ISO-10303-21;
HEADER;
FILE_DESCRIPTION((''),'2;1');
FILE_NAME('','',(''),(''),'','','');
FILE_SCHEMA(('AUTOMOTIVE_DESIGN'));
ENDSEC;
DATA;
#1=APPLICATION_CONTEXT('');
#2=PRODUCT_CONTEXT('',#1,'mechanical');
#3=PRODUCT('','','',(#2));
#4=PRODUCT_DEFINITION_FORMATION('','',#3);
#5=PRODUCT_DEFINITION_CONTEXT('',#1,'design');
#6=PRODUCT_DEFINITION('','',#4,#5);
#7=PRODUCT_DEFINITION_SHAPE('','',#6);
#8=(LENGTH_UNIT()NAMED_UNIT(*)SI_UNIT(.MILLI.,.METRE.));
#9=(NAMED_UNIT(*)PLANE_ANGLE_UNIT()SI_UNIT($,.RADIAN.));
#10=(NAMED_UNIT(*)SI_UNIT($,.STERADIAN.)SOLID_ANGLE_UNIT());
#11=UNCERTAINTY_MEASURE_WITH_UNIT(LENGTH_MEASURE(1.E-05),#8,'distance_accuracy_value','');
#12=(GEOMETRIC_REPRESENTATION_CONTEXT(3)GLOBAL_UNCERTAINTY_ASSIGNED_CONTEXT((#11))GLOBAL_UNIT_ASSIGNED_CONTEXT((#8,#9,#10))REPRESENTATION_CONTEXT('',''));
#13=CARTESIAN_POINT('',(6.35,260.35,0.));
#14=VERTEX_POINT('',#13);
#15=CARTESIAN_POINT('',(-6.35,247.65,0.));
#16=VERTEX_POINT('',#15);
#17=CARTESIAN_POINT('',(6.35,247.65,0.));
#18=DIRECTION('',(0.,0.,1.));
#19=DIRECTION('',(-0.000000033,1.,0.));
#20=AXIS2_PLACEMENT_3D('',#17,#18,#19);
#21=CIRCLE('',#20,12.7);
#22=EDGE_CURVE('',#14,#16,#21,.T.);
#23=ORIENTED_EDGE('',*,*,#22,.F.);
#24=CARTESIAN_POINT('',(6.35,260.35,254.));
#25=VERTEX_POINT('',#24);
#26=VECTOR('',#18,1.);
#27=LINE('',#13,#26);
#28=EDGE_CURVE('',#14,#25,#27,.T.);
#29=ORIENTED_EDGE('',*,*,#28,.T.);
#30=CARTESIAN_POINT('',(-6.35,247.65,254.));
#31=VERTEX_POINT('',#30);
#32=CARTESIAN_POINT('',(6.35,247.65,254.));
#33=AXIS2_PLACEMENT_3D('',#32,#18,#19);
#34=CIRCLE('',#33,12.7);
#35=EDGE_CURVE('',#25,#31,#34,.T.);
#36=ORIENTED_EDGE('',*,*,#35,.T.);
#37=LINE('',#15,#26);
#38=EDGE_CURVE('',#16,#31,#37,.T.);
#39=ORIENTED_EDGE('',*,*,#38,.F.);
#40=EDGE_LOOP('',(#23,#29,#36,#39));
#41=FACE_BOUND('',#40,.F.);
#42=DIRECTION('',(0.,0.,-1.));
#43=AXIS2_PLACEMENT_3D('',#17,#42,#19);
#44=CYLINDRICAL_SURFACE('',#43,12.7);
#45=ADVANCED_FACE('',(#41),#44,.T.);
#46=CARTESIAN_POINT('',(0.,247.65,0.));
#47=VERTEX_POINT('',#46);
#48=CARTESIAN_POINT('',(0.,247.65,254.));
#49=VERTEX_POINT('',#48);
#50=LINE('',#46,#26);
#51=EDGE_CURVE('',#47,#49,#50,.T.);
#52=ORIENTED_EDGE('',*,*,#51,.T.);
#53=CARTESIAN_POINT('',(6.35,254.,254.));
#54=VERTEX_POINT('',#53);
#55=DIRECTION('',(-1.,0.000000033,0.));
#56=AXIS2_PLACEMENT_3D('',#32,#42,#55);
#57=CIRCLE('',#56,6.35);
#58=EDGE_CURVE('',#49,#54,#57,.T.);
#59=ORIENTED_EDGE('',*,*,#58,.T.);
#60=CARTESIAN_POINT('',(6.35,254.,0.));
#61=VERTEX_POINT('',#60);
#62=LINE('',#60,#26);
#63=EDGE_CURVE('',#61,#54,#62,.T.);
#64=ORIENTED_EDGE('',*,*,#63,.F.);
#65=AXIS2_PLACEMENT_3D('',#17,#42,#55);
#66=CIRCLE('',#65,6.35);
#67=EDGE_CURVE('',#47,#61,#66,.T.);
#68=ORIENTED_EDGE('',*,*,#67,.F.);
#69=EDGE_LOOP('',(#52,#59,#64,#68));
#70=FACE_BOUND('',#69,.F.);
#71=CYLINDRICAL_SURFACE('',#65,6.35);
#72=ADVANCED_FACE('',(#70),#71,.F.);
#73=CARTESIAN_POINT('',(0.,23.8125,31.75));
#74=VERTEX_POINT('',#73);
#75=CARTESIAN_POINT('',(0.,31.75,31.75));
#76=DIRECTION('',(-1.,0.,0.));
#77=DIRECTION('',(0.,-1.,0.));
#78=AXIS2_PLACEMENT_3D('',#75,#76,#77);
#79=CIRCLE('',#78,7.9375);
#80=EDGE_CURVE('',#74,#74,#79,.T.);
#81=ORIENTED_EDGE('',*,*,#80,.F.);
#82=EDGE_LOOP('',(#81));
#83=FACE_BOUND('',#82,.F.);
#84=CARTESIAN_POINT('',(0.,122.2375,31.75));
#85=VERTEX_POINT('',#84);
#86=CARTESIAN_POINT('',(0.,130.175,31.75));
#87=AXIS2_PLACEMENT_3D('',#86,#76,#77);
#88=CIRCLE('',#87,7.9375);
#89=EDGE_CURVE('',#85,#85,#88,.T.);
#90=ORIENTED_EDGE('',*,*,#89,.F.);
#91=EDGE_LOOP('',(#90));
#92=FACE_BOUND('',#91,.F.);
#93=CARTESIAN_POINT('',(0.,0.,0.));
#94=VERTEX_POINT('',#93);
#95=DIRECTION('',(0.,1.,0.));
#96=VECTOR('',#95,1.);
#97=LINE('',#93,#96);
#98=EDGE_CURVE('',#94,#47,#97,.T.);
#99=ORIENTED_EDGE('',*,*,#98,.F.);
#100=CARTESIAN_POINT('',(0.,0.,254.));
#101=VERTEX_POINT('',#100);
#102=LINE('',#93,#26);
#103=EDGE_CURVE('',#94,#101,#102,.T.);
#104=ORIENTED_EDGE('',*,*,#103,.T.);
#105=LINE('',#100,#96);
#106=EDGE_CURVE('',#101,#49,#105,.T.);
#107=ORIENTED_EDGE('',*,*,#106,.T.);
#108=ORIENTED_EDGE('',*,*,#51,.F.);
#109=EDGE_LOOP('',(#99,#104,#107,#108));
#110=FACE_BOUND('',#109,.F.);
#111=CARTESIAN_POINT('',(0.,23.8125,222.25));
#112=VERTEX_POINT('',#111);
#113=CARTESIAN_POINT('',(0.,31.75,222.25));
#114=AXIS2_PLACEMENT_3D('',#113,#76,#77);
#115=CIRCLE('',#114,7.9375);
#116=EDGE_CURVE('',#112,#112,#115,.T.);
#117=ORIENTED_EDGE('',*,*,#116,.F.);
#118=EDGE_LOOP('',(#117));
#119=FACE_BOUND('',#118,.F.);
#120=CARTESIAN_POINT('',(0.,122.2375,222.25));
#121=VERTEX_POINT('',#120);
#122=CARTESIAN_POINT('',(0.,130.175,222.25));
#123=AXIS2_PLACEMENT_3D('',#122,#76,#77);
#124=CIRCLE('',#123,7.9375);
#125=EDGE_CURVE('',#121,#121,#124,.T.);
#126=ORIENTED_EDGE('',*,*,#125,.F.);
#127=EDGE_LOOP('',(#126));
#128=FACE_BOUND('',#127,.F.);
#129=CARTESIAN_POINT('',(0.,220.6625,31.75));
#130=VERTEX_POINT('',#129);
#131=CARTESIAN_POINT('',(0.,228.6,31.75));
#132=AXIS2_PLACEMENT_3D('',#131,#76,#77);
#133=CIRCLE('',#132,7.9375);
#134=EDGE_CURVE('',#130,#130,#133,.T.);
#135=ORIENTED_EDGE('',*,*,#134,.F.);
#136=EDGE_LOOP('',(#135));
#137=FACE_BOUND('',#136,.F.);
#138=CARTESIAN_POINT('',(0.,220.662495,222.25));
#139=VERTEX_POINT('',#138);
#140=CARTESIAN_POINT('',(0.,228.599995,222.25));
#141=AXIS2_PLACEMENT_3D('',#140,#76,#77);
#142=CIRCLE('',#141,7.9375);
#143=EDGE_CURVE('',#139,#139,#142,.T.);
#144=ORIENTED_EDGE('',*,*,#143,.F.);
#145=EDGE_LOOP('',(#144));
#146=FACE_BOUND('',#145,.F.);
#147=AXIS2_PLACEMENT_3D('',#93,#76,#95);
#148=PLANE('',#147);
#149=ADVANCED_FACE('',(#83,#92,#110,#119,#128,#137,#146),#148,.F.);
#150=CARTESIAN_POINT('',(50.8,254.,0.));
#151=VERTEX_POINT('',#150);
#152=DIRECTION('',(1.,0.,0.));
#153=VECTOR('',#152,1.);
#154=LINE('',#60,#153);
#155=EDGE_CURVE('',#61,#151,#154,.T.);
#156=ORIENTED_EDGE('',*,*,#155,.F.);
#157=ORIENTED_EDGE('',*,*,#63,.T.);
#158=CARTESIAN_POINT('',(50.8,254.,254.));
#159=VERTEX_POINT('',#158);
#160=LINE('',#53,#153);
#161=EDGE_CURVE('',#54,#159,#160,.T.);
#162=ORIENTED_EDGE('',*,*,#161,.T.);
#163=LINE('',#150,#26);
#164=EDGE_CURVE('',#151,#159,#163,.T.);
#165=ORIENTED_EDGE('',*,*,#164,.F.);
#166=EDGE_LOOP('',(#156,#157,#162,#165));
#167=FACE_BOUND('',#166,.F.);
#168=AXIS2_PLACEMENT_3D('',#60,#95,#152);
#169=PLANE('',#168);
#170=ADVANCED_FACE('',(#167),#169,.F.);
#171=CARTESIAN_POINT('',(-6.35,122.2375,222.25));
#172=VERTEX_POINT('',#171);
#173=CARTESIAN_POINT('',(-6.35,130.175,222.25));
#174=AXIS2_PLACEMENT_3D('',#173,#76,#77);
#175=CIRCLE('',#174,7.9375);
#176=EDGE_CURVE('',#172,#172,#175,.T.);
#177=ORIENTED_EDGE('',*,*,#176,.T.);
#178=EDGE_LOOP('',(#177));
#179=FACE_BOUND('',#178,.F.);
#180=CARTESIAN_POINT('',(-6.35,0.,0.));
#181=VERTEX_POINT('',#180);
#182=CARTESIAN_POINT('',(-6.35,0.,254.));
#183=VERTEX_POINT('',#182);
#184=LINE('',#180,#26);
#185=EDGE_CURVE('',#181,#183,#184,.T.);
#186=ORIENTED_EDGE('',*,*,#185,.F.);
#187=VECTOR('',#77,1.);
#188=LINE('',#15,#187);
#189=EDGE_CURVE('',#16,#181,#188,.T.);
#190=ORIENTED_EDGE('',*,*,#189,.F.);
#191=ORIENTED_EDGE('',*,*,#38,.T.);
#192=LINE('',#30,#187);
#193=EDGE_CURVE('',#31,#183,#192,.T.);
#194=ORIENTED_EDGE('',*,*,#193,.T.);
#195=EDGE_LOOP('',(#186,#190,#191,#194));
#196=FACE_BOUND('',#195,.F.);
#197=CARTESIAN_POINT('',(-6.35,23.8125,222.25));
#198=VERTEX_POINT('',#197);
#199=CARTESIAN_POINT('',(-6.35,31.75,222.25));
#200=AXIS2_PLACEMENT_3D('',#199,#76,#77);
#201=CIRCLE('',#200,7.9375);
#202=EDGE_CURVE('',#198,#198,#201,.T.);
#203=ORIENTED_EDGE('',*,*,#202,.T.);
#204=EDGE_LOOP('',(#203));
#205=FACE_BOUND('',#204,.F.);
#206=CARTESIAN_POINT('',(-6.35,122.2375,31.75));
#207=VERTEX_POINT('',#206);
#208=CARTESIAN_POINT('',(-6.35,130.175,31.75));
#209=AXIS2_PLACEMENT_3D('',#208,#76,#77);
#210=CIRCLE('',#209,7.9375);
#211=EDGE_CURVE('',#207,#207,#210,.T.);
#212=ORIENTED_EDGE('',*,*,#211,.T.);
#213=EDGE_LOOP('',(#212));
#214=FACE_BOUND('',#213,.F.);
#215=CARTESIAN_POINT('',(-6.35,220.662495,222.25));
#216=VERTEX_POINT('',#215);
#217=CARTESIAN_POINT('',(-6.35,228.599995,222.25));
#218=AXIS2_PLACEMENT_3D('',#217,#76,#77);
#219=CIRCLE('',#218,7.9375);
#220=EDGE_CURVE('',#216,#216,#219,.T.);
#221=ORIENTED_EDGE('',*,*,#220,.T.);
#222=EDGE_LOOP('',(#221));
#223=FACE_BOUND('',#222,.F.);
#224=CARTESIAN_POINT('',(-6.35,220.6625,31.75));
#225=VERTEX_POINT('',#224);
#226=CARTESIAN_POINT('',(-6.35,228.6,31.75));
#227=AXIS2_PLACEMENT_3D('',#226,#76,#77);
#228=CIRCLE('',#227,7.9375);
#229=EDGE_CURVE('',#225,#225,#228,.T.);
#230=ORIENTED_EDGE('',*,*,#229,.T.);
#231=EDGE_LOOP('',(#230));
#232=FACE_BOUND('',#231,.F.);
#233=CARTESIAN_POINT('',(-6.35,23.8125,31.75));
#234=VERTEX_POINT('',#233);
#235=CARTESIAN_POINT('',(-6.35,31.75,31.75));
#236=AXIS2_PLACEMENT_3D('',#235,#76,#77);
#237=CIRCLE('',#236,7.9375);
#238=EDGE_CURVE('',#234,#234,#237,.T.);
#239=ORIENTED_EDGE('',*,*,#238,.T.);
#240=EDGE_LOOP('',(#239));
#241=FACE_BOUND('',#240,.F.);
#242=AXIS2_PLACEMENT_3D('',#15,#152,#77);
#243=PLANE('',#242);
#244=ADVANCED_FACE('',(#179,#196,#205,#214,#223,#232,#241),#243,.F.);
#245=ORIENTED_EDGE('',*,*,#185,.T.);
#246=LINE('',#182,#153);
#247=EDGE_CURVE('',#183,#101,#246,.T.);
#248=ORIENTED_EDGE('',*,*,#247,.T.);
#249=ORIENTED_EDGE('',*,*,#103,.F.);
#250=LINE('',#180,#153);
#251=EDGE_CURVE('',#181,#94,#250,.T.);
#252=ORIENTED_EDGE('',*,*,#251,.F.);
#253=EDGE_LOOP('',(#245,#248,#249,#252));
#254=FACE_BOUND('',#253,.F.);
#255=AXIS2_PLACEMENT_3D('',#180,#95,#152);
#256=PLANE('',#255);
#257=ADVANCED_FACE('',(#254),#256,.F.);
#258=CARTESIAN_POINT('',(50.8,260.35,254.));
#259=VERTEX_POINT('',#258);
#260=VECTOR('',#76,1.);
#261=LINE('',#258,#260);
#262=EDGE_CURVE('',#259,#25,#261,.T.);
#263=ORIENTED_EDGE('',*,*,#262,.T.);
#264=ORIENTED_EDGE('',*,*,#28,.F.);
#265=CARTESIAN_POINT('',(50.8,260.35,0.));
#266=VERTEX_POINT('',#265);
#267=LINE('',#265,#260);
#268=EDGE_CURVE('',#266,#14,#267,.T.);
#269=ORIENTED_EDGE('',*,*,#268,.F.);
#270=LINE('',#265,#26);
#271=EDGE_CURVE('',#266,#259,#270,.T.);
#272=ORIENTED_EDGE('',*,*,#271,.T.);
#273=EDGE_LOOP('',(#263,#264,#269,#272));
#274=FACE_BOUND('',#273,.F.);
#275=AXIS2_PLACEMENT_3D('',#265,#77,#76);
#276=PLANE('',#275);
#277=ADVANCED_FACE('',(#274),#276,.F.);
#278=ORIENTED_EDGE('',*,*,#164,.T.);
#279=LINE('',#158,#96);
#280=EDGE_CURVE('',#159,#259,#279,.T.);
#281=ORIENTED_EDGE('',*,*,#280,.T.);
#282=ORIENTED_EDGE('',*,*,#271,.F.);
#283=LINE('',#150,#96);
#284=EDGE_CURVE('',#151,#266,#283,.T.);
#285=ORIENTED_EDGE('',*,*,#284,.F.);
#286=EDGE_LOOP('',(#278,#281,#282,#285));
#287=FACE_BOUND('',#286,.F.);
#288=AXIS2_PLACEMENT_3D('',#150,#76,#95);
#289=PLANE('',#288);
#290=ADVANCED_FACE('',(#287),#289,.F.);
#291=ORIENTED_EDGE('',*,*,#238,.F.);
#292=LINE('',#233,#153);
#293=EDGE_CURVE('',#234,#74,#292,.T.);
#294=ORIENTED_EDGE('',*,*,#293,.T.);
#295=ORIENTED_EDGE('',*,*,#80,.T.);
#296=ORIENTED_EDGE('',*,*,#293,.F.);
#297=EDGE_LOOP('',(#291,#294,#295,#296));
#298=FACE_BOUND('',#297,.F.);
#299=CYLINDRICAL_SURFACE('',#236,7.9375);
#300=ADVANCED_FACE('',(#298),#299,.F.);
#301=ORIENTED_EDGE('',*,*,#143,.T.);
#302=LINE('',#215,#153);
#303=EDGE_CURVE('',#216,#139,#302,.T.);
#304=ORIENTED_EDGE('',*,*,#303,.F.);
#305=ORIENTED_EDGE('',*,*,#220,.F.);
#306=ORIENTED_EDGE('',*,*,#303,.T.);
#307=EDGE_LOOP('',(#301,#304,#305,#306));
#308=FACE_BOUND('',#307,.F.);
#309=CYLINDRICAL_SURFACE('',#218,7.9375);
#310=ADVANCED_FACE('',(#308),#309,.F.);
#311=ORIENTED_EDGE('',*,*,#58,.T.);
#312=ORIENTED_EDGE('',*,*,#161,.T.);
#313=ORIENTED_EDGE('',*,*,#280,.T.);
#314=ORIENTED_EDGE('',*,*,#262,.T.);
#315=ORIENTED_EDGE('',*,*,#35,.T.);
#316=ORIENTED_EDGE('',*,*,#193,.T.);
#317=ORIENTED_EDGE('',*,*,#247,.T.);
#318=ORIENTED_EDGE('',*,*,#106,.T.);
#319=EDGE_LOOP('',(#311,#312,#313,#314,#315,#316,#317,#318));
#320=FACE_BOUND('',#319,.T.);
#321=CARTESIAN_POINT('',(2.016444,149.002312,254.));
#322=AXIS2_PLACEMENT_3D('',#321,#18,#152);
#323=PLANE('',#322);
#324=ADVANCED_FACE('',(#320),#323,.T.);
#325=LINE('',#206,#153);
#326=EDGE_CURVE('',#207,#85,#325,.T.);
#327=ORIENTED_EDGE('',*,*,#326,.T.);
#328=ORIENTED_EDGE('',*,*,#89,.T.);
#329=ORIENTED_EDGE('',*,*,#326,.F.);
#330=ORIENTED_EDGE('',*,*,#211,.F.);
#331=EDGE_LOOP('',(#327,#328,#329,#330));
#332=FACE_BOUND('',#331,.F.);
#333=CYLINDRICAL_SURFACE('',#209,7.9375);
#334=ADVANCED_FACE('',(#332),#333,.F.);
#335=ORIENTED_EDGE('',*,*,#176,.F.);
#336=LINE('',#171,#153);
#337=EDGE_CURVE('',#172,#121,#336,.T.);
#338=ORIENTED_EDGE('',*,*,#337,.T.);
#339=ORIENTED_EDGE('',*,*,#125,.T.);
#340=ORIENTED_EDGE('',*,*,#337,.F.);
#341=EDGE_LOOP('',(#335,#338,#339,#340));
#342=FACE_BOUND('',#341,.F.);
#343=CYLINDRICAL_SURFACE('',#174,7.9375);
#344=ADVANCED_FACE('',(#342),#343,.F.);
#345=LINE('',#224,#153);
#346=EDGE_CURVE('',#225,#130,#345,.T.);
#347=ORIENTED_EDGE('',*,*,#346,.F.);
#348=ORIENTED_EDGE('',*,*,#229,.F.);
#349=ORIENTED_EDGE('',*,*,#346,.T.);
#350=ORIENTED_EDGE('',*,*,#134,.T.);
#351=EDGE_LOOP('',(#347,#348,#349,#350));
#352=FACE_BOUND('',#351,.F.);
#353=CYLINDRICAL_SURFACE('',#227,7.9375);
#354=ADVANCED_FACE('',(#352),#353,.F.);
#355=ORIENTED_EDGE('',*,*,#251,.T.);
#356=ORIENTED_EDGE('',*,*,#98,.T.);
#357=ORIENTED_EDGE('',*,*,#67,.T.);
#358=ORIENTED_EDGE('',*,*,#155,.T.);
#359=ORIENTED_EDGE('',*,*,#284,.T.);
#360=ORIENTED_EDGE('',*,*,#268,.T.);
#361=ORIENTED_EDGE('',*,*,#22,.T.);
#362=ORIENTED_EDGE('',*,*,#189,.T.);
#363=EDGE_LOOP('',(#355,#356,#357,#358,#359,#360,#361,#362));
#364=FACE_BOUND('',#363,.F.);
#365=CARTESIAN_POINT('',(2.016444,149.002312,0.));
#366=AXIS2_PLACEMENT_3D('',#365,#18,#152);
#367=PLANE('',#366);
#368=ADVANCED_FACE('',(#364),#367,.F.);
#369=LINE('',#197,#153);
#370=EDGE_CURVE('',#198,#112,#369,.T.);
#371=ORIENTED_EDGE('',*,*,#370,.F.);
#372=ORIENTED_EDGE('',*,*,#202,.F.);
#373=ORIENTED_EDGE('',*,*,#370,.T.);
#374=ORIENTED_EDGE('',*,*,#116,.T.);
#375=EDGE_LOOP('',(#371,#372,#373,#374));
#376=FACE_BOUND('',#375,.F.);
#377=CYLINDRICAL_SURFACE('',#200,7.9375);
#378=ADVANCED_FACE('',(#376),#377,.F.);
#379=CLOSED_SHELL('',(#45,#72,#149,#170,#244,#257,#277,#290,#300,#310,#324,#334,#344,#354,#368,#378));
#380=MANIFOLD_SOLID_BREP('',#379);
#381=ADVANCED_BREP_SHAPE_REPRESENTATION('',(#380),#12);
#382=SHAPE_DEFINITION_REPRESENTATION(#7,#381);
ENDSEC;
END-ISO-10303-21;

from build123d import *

# Parameters (mm, degrees)
F1_DEPTH = 254
F2_R     = 7.9375
F3_DEPTH = 25.4


with BuildPart() as f1:
    # F0 (on Top) → F1 (new body)
    with BuildSketch(Plane.XY):
        with BuildLine():
            Line((-6.35, 0), (0, 0))
            Line((0, 0), (0, 247.65))
            ThreePointArc((0, 247.65), (1.859872, 252.140128), (6.35, 254))
            Line((6.35, 254), (50.8, 254))
            Line((50.8, 254), (50.8, 260.35))
            Line((50.8, 260.35), (6.35, 260.35))
            ThreePointArc((6.35, 260.35), (-2.630256, 256.630256), (-6.35, 247.65))
            Line((-6.35, 247.65), (-6.35, 0))
        make_face()
    extrude(amount=F1_DEPTH)

    # F2 (on face) → F3 (cut)
    with BuildSketch(Plane(origin=(-6.35, 0, 0), x_dir=(0, -1, 0), z_dir=(-1, 0, 0))):
        with Locations((-228.6, 31.75)):
            Circle(F2_R)
        with Locations((-228.599995, 222.25)):
            Circle(F2_R)
        with Locations((-130.175, 222.25)):
            Circle(F2_R)
        with Locations((-130.175, 31.75)):
            Circle(F2_R)
        with Locations((-31.75, 31.75)):
            Circle(F2_R)
        with Locations((-31.75, 222.25)):
            Circle(F2_R)
    extrude(amount=-F3_DEPTH, mode=Mode.SUBTRACT)


solid = f1.part
